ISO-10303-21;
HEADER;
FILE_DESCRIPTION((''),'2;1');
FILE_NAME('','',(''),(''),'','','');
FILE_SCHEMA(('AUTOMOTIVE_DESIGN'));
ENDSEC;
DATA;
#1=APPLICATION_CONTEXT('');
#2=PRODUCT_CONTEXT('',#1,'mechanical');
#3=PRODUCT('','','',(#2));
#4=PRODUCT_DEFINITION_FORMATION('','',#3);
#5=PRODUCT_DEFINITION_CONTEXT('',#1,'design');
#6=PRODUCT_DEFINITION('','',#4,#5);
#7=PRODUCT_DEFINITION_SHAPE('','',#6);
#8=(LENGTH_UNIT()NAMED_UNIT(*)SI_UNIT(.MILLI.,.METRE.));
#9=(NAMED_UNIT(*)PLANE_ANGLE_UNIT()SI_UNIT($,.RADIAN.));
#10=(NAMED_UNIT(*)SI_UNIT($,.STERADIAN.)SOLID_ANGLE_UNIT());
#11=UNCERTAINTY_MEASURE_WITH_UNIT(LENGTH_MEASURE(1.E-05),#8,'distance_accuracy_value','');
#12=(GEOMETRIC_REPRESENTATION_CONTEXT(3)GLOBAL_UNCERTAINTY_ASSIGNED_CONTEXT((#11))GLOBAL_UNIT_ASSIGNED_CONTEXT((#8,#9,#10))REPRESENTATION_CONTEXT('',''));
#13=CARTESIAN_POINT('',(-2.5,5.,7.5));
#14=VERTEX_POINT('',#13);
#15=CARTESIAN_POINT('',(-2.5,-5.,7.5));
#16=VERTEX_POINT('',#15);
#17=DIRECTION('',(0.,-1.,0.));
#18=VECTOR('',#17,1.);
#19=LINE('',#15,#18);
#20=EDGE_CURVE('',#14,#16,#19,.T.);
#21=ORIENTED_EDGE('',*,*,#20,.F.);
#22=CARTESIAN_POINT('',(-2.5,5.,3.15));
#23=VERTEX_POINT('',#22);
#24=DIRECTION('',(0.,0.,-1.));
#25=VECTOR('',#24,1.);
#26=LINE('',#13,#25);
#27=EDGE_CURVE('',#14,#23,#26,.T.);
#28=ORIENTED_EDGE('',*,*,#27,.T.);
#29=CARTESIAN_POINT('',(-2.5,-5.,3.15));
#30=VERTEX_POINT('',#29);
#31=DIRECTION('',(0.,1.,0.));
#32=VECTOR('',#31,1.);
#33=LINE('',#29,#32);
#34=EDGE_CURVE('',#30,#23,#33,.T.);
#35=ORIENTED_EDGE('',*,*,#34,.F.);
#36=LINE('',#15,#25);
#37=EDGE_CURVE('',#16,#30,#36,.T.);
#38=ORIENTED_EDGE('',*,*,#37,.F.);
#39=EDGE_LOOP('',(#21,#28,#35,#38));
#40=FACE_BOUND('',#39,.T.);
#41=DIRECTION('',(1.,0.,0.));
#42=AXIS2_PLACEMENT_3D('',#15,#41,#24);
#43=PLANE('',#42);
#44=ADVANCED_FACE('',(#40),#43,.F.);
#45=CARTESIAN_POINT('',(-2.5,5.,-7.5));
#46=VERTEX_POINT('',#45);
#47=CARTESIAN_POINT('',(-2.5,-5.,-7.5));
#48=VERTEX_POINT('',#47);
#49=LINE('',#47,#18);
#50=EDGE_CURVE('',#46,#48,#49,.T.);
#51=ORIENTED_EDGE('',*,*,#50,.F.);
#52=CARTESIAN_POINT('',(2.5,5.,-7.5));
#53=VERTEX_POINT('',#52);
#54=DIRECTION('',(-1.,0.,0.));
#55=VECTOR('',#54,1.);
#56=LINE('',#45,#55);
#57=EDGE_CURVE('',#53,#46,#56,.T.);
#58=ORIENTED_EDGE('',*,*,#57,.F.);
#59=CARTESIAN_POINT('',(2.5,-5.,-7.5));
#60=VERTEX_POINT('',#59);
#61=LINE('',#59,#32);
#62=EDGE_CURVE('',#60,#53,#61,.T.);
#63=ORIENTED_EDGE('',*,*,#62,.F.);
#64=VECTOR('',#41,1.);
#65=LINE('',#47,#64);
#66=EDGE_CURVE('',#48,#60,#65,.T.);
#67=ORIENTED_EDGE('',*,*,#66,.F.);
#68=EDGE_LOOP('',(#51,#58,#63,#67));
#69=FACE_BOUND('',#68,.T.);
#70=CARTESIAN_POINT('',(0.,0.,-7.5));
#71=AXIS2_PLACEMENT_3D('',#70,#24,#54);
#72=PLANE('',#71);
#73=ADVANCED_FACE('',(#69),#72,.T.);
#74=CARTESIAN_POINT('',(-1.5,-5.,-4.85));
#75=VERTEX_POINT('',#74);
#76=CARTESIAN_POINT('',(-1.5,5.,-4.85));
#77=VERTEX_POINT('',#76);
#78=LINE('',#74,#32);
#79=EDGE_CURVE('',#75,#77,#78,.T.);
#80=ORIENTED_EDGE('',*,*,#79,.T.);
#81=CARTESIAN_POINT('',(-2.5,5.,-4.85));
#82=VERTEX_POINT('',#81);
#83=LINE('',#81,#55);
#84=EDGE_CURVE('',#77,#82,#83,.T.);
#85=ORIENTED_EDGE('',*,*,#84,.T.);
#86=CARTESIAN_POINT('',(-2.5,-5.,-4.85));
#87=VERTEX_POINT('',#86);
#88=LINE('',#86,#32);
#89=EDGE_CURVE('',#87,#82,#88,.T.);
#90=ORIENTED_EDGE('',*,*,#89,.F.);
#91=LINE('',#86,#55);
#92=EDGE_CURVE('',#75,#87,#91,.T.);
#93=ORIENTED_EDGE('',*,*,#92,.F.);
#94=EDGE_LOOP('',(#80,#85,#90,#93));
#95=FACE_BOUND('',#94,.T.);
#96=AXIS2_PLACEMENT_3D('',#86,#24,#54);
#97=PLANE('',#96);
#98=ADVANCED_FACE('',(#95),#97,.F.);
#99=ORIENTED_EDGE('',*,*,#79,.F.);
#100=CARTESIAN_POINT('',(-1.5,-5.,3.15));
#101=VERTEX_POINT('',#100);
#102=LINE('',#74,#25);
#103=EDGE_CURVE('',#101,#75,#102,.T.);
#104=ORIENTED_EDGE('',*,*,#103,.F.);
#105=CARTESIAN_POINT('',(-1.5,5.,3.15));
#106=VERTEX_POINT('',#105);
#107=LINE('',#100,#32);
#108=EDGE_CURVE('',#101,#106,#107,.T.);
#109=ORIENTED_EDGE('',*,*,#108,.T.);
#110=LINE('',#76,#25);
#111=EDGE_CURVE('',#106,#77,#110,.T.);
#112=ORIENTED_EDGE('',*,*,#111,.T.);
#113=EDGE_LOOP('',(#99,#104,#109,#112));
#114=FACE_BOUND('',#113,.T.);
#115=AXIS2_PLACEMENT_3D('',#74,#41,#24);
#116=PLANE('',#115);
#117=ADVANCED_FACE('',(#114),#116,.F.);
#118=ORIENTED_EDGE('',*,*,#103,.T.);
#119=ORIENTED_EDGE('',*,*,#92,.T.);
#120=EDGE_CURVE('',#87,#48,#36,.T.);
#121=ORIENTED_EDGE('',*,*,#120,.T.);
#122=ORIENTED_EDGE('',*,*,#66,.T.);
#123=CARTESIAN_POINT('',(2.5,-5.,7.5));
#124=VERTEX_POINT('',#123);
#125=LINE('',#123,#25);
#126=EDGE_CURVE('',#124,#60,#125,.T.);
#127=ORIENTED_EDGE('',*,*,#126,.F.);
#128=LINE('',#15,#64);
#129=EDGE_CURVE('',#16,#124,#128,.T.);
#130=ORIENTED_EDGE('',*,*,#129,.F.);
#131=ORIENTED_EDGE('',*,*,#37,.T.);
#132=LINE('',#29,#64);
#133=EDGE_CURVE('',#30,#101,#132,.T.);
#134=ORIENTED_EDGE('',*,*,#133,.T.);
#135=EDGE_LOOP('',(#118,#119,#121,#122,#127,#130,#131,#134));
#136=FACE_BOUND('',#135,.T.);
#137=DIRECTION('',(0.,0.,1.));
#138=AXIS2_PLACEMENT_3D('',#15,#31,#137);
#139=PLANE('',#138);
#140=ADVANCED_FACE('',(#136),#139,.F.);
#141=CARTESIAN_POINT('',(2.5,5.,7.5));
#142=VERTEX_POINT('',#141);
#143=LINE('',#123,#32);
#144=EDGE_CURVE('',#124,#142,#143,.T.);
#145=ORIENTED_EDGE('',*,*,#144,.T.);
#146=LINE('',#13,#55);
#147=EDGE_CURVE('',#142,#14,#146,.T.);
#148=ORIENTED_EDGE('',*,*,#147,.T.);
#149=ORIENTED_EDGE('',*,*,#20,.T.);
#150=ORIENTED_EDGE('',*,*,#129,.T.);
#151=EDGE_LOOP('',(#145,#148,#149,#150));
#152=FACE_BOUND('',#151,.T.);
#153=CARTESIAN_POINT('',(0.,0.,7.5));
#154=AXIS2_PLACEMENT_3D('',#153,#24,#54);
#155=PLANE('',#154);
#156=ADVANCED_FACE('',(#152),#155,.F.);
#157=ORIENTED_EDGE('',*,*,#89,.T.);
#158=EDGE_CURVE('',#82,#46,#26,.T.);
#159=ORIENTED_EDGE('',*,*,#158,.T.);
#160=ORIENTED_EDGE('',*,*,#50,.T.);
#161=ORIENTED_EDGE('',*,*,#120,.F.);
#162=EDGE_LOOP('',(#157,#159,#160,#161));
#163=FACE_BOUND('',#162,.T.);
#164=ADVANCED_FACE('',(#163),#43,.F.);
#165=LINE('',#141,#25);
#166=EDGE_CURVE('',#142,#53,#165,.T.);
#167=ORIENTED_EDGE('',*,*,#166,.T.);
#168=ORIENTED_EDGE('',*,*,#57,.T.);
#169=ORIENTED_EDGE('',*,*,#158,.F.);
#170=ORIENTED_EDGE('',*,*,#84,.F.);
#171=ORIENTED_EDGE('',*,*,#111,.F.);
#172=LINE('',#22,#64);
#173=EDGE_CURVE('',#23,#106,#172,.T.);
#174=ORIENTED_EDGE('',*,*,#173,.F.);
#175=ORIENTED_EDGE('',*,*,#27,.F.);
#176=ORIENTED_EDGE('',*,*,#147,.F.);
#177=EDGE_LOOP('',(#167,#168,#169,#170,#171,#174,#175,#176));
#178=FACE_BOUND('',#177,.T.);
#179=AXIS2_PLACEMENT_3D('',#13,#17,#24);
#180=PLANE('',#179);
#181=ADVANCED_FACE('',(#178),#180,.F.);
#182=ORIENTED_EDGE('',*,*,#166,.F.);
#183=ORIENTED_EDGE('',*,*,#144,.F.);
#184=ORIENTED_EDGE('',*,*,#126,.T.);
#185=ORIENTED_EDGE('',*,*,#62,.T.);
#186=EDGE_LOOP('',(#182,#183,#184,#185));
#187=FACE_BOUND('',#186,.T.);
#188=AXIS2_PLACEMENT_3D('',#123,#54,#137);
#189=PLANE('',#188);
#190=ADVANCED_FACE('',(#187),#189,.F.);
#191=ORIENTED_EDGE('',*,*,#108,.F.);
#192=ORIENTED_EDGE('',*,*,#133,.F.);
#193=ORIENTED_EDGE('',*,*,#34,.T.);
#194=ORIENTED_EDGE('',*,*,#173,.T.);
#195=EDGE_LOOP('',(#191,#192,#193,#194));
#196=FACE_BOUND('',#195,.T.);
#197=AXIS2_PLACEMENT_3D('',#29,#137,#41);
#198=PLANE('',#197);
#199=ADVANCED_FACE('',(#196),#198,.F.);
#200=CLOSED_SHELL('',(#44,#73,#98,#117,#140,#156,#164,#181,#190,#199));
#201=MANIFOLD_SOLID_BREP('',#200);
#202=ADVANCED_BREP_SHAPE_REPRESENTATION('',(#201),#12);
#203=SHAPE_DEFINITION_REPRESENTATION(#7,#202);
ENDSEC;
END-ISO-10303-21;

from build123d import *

# Parameters (mm, degrees)
SKETCH1_W           = 5
SKETCH1_H           = 10
BOSS_EXTRUDE1_DEPTH = 7.5
SKETCH4_W           = 1
SKETCH4_H           = 8
CUT_EXTRUDE2_DEPTH  = 11


with BuildPart() as part:
    # Sketch1 → Boss-Extrude1 (new body, symmetric)
    with BuildSketch(Plane.XY):
        Rectangle(SKETCH1_W, SKETCH1_H)
    extrude(amount=BOSS_EXTRUDE1_DEPTH, both=True)

    # Sketch4 → Cut-Extrude2 (cut, through all)
    with BuildSketch(Plane(origin=(0, 5, 0), x_dir=(1, 0, 0), z_dir=(0, 1, 0))):
        with Locations((-2, 0.85)):
            Rectangle(SKETCH4_W, SKETCH4_H)
    extrude(amount=-CUT_EXTRUDE2_DEPTH, mode=Mode.SUBTRACT)


solid = part.part
